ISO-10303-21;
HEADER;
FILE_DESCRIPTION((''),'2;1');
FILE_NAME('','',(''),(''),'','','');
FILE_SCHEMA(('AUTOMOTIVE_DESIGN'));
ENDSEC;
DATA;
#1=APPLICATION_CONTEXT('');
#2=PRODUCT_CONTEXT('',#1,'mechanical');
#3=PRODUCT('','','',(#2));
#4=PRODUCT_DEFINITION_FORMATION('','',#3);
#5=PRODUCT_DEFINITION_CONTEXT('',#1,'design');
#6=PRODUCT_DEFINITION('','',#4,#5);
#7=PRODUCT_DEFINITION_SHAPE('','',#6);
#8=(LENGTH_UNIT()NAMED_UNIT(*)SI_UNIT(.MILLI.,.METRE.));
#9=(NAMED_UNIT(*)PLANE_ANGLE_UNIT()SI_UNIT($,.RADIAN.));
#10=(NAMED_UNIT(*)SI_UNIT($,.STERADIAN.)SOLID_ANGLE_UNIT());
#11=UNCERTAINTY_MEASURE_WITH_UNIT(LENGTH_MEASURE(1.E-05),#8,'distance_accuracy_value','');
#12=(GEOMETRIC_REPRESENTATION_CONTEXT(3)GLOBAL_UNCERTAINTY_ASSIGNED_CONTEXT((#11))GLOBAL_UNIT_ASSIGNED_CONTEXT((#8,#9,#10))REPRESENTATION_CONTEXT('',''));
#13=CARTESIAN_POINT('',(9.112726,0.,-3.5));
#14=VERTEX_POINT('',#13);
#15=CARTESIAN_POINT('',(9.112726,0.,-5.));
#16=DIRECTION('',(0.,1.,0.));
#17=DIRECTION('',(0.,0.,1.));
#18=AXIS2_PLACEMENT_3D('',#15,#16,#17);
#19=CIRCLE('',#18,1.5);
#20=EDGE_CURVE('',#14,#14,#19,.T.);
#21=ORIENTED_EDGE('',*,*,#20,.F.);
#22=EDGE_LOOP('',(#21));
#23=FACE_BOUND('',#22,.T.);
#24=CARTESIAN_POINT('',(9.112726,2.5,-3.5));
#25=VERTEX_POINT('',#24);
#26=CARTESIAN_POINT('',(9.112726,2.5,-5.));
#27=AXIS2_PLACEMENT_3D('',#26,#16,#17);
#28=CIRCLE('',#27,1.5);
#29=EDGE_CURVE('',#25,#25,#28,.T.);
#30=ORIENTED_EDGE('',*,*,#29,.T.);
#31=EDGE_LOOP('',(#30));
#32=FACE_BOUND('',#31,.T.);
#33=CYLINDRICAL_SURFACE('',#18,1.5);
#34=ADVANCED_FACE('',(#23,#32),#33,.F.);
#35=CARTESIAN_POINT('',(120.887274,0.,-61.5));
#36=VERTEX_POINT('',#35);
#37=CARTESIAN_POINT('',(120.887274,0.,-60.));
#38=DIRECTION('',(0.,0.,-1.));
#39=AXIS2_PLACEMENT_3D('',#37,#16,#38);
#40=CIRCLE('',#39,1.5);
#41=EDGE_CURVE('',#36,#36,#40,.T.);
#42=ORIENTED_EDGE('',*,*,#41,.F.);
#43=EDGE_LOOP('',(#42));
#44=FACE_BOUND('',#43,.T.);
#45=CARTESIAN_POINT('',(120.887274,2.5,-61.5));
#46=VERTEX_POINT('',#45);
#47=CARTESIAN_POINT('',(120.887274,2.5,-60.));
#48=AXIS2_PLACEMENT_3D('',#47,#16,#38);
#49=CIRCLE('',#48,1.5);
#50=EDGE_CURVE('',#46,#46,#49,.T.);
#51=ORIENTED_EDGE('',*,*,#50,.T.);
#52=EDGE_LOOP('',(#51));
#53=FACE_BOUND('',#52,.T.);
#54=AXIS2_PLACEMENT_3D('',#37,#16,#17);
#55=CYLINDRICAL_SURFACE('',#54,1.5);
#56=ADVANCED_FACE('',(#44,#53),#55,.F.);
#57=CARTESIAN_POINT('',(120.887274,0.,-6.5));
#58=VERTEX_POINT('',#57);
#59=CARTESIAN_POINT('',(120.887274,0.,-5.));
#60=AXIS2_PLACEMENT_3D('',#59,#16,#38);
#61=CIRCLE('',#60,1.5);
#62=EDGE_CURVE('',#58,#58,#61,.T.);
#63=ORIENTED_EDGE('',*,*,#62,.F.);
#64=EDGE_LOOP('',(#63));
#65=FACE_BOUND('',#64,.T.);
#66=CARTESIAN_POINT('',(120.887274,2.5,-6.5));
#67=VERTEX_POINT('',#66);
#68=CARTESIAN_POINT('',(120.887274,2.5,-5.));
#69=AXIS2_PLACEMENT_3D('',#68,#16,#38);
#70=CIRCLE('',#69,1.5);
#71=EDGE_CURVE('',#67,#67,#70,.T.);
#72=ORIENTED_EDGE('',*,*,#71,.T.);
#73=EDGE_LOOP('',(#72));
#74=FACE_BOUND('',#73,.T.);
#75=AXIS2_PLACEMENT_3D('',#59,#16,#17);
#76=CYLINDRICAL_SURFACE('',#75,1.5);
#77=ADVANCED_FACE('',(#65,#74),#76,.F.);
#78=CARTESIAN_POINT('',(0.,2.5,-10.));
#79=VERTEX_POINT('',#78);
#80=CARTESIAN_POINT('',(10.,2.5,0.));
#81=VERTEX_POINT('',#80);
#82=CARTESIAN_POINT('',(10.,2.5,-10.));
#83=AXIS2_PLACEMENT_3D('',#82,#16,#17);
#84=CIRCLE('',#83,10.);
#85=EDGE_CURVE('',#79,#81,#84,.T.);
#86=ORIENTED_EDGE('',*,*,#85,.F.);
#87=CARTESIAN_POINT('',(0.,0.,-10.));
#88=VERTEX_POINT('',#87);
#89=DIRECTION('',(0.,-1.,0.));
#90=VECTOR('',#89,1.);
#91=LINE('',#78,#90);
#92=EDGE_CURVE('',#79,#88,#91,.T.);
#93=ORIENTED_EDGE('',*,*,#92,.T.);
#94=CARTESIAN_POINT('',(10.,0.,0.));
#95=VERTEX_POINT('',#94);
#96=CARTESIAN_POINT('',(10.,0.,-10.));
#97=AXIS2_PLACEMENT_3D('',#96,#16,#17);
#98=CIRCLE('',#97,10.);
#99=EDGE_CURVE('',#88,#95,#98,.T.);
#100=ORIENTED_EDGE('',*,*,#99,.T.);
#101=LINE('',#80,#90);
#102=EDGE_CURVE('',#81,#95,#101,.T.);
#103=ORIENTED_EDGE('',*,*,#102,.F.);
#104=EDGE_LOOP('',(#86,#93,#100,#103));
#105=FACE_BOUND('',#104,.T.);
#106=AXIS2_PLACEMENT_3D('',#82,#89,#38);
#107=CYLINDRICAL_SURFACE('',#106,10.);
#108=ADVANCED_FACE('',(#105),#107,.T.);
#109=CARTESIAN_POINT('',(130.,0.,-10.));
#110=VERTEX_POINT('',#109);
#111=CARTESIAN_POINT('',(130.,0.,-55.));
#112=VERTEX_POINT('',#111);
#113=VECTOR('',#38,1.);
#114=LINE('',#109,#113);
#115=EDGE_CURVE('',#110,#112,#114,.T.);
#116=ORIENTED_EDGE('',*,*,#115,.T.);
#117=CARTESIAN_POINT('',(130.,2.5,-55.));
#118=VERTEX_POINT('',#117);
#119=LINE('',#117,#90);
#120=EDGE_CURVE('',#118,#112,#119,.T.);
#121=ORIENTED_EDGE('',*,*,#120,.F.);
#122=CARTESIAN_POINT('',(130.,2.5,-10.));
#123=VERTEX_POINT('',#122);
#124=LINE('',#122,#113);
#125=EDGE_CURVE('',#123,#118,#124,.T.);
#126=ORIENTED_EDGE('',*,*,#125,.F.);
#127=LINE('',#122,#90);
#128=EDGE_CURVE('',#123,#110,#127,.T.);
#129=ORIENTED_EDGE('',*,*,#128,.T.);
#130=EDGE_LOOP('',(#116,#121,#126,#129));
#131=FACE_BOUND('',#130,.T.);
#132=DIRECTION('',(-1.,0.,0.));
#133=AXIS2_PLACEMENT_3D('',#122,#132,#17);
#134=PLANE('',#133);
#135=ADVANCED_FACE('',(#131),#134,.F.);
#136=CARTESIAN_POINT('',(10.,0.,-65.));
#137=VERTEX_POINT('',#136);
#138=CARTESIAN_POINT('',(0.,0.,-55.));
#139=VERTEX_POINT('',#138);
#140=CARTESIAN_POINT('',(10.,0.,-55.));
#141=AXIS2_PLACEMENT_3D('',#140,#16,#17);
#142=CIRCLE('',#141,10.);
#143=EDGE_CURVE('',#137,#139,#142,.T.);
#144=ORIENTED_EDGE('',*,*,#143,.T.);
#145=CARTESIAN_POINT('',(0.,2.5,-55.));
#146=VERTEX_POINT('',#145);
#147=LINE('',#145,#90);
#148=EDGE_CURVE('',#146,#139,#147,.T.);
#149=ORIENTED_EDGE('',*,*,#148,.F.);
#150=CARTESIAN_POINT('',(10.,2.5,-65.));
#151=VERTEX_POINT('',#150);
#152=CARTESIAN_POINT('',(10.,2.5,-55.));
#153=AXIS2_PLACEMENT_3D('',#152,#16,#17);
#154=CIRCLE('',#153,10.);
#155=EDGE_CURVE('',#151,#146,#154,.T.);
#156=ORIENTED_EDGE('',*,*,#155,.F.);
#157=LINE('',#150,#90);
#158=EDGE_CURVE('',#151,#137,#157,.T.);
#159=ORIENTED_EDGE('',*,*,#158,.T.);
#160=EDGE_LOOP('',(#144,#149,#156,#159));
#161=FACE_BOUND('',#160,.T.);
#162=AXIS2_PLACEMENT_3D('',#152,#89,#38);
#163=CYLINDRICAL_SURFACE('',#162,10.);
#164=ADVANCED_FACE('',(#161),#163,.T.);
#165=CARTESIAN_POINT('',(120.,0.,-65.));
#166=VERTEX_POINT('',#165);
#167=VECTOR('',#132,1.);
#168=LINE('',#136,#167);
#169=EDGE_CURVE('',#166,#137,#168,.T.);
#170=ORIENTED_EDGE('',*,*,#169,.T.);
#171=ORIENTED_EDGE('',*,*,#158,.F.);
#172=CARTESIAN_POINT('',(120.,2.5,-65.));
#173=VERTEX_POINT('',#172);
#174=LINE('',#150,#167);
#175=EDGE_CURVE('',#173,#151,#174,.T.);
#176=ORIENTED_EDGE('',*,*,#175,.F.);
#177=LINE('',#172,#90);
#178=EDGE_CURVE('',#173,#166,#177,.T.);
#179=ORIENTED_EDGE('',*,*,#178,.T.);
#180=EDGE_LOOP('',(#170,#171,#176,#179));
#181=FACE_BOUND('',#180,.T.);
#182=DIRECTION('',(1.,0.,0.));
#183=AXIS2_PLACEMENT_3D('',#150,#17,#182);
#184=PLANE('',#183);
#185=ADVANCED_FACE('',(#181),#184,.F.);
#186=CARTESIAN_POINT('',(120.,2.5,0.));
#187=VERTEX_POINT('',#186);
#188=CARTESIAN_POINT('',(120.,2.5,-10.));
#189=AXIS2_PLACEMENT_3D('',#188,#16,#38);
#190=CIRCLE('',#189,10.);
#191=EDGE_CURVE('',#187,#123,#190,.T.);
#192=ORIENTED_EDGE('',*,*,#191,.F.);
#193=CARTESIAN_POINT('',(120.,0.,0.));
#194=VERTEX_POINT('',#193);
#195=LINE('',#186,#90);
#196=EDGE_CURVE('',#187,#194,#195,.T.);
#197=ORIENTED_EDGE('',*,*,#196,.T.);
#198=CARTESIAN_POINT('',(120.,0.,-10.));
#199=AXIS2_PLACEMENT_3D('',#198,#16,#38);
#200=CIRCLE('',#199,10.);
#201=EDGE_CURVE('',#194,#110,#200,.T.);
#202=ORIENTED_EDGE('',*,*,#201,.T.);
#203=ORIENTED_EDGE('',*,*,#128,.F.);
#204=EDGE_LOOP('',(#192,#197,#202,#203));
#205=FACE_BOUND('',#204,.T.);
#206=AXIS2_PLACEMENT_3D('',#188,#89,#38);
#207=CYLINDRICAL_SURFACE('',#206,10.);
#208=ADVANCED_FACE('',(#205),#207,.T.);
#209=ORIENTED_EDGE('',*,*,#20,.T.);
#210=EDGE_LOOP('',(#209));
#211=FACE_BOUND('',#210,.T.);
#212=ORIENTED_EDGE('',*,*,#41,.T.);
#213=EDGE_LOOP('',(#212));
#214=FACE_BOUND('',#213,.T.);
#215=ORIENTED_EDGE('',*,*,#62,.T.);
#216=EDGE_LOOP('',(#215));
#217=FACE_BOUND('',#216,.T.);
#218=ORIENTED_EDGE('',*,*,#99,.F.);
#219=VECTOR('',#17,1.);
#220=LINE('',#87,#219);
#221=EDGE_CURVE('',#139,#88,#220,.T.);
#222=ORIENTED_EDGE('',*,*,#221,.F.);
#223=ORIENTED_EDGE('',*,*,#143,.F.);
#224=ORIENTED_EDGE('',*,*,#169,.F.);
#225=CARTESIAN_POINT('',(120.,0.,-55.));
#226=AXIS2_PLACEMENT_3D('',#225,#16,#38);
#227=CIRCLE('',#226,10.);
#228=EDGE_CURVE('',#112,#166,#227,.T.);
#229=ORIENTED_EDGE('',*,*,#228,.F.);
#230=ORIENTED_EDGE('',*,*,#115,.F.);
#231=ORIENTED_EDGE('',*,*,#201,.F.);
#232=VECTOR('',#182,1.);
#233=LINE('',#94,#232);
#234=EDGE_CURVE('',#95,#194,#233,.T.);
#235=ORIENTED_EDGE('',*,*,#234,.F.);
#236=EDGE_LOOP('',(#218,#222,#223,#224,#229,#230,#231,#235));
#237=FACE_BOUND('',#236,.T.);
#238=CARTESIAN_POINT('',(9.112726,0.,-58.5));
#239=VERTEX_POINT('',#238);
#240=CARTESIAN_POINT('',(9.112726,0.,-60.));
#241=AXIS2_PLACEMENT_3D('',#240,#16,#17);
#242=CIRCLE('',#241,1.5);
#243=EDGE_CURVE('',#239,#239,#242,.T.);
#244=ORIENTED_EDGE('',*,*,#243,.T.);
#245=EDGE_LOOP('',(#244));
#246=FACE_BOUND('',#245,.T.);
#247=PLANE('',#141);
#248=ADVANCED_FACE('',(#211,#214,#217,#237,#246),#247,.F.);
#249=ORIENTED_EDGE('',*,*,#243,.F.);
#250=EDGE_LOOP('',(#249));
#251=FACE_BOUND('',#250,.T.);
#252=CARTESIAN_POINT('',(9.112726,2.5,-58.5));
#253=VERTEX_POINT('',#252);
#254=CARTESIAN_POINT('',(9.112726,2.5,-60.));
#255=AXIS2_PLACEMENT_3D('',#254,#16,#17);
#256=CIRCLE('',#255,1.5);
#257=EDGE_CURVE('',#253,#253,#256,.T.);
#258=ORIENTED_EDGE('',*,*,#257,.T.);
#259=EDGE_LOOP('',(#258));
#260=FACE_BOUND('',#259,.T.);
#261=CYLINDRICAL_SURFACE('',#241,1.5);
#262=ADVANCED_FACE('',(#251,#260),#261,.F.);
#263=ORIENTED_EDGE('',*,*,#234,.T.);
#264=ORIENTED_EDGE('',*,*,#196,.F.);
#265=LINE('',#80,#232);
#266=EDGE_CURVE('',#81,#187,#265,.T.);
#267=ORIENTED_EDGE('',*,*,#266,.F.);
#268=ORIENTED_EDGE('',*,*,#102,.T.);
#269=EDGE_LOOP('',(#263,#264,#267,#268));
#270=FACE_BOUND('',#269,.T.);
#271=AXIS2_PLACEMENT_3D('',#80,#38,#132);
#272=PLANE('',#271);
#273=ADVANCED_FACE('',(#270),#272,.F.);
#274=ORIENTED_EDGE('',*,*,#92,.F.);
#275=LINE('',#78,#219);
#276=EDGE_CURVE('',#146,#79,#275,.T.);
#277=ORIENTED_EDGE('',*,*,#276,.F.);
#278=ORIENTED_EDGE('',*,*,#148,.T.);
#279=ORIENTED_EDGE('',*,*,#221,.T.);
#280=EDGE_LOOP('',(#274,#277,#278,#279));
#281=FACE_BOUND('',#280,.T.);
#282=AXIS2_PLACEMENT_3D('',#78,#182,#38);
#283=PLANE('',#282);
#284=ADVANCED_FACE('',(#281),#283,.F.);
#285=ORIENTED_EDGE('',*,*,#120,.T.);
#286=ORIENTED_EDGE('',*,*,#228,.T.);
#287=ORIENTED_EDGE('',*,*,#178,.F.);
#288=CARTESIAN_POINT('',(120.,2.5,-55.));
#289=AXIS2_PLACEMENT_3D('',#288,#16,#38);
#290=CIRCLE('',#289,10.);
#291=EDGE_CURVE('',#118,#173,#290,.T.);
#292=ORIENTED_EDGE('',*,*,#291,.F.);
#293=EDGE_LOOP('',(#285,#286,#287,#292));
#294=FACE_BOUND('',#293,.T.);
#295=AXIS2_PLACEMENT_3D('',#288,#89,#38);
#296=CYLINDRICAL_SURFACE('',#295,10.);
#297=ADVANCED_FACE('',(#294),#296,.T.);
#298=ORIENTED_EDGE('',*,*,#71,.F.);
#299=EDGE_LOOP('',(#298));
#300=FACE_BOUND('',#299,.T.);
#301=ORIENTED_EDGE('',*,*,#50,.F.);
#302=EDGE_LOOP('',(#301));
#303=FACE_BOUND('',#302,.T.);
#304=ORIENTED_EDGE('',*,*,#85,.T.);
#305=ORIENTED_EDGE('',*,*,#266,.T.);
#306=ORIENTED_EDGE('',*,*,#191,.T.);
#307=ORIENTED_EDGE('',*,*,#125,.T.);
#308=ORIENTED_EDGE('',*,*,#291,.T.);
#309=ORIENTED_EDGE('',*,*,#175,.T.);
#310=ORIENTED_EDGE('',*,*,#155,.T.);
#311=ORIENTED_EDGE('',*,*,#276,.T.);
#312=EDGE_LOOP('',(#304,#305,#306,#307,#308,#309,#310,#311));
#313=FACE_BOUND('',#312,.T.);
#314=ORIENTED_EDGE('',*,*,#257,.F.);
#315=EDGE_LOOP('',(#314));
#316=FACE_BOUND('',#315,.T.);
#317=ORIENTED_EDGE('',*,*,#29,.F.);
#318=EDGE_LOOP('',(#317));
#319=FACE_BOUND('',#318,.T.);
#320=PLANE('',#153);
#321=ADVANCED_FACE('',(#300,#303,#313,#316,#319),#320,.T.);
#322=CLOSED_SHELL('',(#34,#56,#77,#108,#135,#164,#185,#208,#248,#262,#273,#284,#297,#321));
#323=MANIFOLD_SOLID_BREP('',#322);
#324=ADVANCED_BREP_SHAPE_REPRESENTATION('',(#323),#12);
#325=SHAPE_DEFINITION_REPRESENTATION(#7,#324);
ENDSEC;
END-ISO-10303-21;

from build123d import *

# Parameters (mm, degrees)
BOSS_EXTRUDE1_DEPTH = 2.5
SKETCH2_R           = 1.5
CUT_EXTRUDE1_DEPTH  = 146.365917601


with BuildPart() as part:
    # Sketch1 → Boss-Extrude1 (new body)
    with BuildSketch(Plane(origin=(0, 0, 0), x_dir=(1, 0, 0), z_dir=(0, 1, 0))):
        with BuildLine():
            Line((10, 0), (120, 0))
            ThreePointArc((120, 0), (127.071067812, 2.928932188), (130, 10))
            Line((130, 10), (130, 55))
            ThreePointArc((130, 55), (127.071067812, 62.071067812), (120, 65))
            Line((120, 65), (10, 65))
            ThreePointArc((10, 65), (2.928932188, 62.071067812), (0, 55))
            Line((0, 55), (0, 10))
            ThreePointArc((0, 10), (2.928932188, 2.928932188), (10, 0))
        make_face()
    extrude(amount=BOSS_EXTRUDE1_DEPTH)

    # Sketch2 → Cut-Extrude1 (cut, through all)
    with BuildSketch(Plane(origin=(0, 2.5, 0), x_dir=(1, 0, 0), z_dir=(0, 1, 0))):
        with Locations(Location((9.112726, 5, 0), (0, 0, 270))):
            Circle(SKETCH2_R)
        with Locations(Location((9.112726, 60, 0), (0, 0, 270))):
            Circle(SKETCH2_R)
        with Locations(Location((120.887274, 5, 0), (0, 0, 90))):
            Circle(SKETCH2_R)
        with Locations(Location((120.887274, 60, 0), (0, 0, 90))):
            Circle(SKETCH2_R)
    extrude(amount=-CUT_EXTRUDE1_DEPTH, mode=Mode.SUBTRACT)


solid = part.part
